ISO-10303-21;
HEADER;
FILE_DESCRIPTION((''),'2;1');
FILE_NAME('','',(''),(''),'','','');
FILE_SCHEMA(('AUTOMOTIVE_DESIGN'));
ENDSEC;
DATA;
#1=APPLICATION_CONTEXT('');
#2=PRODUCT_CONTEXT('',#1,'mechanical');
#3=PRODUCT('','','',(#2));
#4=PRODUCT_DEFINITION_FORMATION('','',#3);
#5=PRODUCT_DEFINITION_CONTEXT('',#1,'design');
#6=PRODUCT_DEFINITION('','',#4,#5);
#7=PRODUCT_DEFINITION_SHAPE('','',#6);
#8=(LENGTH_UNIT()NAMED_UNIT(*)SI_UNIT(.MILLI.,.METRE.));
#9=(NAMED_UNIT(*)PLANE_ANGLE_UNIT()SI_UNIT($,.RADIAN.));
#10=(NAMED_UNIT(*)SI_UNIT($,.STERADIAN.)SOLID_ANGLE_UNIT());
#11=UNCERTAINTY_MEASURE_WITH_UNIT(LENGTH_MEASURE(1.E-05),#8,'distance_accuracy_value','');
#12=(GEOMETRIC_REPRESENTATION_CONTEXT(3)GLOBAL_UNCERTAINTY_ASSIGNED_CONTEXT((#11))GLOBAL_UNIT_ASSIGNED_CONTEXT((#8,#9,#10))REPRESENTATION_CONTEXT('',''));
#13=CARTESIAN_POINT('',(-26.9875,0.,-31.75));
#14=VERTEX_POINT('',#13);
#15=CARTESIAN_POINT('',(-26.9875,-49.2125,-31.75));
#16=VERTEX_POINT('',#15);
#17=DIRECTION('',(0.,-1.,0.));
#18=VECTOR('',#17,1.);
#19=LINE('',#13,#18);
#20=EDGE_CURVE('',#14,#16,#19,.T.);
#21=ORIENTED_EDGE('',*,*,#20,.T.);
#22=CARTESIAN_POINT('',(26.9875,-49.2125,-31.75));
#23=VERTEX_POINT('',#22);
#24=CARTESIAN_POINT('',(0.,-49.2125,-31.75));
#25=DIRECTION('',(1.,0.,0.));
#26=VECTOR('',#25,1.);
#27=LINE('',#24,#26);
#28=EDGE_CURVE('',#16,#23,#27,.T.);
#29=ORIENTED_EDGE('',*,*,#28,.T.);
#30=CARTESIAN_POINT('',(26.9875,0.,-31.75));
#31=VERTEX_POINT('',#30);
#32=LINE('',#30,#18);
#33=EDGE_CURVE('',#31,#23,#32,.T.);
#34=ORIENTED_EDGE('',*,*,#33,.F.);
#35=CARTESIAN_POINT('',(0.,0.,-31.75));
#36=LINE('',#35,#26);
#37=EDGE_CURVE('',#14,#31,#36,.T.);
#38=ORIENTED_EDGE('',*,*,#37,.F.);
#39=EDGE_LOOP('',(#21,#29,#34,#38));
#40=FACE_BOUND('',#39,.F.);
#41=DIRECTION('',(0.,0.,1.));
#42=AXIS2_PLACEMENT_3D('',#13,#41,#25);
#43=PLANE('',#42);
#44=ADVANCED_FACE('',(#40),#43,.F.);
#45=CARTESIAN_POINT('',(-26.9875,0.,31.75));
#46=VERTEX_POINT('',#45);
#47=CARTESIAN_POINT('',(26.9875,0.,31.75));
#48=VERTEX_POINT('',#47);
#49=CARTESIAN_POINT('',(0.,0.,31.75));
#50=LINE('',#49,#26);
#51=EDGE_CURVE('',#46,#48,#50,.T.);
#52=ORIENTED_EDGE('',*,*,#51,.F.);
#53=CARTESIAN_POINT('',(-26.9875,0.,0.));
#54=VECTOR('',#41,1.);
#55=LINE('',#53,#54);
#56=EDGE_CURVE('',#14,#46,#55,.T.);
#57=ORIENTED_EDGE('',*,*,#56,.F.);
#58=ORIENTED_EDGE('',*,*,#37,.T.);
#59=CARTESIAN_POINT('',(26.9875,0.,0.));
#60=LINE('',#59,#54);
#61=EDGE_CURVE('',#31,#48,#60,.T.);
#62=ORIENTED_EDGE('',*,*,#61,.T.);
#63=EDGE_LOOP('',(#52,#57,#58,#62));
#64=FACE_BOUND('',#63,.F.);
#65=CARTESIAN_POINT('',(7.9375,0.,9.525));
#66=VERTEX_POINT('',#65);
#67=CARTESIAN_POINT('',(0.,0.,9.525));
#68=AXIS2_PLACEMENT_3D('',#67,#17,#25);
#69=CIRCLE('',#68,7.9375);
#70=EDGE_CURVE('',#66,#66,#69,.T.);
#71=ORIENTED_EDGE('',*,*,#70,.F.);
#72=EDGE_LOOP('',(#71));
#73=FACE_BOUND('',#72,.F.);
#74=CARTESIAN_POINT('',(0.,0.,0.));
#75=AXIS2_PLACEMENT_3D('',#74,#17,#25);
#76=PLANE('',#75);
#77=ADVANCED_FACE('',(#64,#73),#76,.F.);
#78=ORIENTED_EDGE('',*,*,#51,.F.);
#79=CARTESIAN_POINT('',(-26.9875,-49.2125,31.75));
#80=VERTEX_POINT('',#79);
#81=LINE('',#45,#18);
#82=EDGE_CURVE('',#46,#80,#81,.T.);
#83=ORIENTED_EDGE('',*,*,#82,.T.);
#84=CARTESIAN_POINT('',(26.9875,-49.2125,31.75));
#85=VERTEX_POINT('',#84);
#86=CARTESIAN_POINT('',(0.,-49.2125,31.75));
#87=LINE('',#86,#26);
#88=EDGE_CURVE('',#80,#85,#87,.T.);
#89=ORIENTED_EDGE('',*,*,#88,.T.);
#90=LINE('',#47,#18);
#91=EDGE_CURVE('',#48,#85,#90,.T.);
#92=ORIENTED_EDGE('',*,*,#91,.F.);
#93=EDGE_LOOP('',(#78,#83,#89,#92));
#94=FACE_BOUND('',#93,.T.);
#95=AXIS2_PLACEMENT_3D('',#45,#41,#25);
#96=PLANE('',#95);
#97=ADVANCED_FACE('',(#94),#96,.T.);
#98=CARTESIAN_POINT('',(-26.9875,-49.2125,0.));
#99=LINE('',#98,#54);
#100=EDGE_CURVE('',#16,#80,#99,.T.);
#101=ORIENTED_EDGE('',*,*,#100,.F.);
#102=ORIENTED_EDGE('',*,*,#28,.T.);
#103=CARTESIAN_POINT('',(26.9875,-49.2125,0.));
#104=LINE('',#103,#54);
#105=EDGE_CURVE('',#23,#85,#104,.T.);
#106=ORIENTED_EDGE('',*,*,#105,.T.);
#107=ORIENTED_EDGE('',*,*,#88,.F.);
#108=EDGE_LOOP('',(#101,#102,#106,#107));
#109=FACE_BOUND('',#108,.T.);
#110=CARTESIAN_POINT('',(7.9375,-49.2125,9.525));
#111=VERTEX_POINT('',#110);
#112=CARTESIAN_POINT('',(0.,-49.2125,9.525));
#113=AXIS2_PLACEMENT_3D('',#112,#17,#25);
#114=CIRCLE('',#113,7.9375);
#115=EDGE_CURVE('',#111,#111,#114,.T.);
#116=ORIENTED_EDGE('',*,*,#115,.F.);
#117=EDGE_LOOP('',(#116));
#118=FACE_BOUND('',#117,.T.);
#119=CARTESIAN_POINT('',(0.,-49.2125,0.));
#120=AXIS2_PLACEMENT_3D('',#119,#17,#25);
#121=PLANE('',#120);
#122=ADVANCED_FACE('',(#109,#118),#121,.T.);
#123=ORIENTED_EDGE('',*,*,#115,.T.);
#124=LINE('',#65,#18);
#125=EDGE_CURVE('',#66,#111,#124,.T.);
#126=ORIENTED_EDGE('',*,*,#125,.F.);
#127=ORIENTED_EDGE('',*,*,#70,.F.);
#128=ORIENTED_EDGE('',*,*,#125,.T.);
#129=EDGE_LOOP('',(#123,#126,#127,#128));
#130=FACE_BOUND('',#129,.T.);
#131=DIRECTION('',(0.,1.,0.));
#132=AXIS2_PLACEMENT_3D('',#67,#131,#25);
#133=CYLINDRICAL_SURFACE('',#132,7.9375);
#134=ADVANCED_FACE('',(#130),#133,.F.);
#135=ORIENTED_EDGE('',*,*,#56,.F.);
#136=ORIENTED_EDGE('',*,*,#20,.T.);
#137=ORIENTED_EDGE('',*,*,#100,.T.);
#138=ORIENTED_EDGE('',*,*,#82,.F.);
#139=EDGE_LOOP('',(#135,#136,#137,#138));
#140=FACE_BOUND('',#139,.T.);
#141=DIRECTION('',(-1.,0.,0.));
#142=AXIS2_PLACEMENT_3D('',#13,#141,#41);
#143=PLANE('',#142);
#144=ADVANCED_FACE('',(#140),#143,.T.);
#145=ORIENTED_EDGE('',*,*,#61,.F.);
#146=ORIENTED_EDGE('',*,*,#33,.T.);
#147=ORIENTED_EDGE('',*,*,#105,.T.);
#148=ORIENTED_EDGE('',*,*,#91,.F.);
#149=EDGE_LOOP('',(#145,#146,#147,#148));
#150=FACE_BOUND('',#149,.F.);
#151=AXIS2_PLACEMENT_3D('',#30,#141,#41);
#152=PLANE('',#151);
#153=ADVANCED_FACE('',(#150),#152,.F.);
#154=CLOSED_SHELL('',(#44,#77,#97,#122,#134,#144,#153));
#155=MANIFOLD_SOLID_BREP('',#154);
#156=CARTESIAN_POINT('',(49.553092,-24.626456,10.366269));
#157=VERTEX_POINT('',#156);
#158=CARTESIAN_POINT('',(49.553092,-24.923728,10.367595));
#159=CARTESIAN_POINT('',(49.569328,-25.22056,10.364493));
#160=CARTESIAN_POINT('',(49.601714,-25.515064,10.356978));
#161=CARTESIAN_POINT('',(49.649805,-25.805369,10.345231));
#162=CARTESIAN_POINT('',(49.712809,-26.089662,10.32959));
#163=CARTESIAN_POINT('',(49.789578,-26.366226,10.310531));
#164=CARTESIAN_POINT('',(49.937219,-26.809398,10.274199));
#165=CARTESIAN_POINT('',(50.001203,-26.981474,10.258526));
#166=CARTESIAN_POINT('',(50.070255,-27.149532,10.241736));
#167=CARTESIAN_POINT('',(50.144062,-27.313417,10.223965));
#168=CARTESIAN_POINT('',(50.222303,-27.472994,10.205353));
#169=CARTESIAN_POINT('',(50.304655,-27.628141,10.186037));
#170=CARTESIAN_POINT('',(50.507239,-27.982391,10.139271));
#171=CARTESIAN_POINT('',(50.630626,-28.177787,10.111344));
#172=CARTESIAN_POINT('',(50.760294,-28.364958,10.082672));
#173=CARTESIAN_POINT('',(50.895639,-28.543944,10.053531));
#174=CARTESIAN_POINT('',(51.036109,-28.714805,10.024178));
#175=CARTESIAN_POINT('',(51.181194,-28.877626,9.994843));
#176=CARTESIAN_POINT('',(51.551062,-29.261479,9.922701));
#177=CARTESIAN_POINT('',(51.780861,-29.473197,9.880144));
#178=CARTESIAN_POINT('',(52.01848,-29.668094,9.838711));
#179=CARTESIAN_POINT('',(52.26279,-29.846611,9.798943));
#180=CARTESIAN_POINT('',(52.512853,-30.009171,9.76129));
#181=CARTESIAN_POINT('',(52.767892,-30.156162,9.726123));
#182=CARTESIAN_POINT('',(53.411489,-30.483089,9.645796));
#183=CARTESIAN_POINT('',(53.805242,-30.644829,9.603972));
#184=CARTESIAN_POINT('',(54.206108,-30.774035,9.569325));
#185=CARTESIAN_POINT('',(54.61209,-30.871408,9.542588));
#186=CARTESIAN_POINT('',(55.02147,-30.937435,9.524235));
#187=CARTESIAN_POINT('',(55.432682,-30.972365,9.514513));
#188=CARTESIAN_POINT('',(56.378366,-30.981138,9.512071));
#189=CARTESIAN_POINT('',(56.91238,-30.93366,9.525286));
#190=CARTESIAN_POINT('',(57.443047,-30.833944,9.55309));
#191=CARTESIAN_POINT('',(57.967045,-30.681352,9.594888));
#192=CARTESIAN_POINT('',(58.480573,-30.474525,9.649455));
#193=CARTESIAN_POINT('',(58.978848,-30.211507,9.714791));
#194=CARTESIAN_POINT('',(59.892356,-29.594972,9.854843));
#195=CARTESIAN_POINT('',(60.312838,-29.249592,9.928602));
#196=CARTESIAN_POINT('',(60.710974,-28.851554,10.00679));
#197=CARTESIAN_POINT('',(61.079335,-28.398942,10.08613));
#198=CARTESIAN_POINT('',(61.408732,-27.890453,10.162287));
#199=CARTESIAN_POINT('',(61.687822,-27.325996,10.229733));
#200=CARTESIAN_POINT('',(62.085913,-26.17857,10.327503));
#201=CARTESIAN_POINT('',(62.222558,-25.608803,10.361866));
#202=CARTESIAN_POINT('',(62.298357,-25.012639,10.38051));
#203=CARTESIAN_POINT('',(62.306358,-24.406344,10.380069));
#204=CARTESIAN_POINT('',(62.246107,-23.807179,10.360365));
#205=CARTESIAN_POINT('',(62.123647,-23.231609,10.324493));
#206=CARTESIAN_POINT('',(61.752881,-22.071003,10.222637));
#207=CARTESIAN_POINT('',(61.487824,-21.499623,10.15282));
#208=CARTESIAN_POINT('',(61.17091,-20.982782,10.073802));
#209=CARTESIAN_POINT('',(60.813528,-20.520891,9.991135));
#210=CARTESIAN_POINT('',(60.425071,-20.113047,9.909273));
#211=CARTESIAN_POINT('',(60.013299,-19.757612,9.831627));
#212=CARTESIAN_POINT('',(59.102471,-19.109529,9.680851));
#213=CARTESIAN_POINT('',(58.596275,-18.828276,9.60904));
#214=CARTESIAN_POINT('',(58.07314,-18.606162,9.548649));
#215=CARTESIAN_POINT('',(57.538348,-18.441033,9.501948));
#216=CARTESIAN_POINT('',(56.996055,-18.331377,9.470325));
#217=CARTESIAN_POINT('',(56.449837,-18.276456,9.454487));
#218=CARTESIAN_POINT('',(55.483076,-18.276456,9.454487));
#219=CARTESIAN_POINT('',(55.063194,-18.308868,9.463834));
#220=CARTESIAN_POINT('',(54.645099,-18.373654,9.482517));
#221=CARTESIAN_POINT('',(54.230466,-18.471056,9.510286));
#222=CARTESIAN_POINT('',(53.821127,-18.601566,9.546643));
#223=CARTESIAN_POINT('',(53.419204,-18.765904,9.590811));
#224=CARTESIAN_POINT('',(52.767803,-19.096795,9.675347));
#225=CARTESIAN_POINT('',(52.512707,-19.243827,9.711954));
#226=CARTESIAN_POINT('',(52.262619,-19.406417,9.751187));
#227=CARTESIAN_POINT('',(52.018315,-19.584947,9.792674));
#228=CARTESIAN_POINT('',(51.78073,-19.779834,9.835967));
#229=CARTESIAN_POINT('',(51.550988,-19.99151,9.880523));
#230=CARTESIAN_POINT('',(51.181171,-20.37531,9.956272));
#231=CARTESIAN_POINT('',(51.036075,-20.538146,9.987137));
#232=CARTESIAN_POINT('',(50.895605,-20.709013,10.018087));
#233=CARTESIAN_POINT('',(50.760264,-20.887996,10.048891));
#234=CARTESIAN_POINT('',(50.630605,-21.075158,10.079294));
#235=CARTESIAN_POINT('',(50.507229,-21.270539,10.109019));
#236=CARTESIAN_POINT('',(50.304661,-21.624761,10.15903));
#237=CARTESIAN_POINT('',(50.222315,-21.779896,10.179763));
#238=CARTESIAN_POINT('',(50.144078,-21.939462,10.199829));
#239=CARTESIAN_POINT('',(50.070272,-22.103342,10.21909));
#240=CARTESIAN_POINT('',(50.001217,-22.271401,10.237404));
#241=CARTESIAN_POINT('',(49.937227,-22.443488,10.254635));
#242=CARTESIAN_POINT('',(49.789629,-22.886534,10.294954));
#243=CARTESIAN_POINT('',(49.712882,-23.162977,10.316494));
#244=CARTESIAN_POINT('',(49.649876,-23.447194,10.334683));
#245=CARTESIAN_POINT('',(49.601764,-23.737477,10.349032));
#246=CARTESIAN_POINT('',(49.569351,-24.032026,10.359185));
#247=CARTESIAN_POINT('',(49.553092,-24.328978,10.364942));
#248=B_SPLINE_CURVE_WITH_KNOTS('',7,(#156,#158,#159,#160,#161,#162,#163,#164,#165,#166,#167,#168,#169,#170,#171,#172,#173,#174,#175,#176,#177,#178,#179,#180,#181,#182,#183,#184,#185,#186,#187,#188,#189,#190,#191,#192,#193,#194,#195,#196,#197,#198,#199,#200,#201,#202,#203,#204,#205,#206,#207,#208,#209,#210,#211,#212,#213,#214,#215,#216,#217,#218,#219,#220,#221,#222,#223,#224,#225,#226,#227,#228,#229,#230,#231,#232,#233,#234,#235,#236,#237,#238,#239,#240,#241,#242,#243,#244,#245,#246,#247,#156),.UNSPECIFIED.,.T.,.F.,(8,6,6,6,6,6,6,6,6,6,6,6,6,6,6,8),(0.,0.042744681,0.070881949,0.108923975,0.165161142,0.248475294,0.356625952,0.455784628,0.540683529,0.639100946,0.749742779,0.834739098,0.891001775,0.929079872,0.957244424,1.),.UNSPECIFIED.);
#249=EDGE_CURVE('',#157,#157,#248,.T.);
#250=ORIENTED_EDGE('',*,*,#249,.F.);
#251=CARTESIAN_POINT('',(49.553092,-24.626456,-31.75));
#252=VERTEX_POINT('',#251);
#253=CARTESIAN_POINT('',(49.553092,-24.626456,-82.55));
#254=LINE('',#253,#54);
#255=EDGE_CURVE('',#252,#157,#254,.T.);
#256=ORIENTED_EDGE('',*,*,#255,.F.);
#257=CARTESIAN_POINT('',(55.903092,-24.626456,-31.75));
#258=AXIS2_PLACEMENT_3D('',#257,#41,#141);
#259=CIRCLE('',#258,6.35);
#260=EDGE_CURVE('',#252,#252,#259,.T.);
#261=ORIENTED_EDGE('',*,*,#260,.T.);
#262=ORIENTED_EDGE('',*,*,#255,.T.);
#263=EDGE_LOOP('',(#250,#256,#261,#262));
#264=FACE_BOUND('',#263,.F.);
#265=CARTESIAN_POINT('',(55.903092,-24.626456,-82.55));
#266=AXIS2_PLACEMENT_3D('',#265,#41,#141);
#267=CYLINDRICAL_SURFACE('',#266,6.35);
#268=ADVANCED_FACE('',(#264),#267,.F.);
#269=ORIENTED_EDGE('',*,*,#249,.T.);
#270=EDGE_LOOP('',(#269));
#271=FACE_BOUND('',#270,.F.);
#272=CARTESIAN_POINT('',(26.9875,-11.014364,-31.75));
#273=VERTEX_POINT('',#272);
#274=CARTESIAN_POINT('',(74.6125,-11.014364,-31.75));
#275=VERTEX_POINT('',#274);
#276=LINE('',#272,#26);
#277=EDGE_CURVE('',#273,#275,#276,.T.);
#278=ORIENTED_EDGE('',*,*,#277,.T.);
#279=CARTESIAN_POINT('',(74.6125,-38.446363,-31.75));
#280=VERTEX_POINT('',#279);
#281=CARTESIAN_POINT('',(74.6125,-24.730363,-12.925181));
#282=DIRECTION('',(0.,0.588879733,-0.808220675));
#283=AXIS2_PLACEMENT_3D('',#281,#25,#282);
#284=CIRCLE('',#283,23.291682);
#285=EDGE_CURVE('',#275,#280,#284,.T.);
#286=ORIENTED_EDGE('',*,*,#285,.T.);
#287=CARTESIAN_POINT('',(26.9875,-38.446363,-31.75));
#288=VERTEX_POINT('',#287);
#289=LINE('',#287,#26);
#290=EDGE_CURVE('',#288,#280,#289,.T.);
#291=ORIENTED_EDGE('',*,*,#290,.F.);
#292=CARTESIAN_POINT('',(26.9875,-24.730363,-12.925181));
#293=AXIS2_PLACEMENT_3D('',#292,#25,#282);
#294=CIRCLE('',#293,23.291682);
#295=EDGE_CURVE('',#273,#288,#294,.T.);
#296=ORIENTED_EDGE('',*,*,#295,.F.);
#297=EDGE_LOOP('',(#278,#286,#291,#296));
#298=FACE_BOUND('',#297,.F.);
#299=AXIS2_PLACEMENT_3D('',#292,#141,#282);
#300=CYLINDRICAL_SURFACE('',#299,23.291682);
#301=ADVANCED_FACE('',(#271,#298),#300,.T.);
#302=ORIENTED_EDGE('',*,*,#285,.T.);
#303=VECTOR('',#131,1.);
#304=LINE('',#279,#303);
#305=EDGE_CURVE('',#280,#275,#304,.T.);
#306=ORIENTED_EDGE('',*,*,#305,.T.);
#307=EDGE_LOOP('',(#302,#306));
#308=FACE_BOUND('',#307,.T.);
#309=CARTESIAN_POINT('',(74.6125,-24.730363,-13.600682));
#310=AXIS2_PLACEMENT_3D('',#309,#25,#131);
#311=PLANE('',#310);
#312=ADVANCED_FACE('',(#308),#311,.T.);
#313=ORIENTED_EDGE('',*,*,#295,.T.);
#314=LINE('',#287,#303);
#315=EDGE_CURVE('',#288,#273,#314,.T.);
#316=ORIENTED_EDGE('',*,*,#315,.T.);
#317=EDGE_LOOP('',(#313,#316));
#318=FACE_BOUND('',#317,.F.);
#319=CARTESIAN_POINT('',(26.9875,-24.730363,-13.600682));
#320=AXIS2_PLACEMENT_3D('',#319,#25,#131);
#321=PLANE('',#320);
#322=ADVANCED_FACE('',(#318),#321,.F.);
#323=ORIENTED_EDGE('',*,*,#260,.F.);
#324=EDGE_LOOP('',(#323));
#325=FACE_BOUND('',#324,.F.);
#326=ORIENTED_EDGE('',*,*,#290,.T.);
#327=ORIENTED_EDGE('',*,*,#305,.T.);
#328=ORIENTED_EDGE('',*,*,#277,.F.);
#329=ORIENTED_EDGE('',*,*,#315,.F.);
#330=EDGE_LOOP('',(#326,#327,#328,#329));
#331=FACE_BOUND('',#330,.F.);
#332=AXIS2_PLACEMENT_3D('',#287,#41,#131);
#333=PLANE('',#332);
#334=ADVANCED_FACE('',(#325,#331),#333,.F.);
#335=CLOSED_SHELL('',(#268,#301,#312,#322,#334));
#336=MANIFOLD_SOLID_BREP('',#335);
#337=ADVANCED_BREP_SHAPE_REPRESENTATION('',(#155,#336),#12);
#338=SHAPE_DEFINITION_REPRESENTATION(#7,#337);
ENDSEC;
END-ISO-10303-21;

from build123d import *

# Parameters (mm, degrees)
F0_W     = 53.975
F0_H     = 63.5
F0_R     = 7.9375
F1_DEPTH = 49.2125
F3_DEPTH = 47.625
F5_D     = 12.7
F5_DEPTH = 50.8


with BuildPart() as f1:
    # F0 (on Front) → F1 (new body)
    with BuildSketch(Plane.XZ):
        Rectangle(F0_W, F0_H)
        with Locations((0, 9.525)):
            Circle(F0_R, mode=Mode.SUBTRACT)
    extrude(amount=F1_DEPTH)


with BuildPart() as f3:
    # F2 (on face) → F3 (new body)
    with BuildSketch(Plane.YZ.offset(26.9875)):
        with BuildLine():
            Line((-38.446363, -31.75), (-11.014364, -31.75))
            ThreePointArc((-11.014364, -31.75), (-24.730363, 10.366501), (-38.446363, -31.75))
        make_face()
    extrude(amount=F3_DEPTH)

    # F5
    with Locations(Plane(origin=(0, 0, -31.75), x_dir=(1, 0, 0), z_dir=(0, 0, -1))):
        with Locations((55.903092, 24.626456)):
            Hole(F5_D / 2, depth=F5_DEPTH)


solid = Compound([f1.part, f3.part])
